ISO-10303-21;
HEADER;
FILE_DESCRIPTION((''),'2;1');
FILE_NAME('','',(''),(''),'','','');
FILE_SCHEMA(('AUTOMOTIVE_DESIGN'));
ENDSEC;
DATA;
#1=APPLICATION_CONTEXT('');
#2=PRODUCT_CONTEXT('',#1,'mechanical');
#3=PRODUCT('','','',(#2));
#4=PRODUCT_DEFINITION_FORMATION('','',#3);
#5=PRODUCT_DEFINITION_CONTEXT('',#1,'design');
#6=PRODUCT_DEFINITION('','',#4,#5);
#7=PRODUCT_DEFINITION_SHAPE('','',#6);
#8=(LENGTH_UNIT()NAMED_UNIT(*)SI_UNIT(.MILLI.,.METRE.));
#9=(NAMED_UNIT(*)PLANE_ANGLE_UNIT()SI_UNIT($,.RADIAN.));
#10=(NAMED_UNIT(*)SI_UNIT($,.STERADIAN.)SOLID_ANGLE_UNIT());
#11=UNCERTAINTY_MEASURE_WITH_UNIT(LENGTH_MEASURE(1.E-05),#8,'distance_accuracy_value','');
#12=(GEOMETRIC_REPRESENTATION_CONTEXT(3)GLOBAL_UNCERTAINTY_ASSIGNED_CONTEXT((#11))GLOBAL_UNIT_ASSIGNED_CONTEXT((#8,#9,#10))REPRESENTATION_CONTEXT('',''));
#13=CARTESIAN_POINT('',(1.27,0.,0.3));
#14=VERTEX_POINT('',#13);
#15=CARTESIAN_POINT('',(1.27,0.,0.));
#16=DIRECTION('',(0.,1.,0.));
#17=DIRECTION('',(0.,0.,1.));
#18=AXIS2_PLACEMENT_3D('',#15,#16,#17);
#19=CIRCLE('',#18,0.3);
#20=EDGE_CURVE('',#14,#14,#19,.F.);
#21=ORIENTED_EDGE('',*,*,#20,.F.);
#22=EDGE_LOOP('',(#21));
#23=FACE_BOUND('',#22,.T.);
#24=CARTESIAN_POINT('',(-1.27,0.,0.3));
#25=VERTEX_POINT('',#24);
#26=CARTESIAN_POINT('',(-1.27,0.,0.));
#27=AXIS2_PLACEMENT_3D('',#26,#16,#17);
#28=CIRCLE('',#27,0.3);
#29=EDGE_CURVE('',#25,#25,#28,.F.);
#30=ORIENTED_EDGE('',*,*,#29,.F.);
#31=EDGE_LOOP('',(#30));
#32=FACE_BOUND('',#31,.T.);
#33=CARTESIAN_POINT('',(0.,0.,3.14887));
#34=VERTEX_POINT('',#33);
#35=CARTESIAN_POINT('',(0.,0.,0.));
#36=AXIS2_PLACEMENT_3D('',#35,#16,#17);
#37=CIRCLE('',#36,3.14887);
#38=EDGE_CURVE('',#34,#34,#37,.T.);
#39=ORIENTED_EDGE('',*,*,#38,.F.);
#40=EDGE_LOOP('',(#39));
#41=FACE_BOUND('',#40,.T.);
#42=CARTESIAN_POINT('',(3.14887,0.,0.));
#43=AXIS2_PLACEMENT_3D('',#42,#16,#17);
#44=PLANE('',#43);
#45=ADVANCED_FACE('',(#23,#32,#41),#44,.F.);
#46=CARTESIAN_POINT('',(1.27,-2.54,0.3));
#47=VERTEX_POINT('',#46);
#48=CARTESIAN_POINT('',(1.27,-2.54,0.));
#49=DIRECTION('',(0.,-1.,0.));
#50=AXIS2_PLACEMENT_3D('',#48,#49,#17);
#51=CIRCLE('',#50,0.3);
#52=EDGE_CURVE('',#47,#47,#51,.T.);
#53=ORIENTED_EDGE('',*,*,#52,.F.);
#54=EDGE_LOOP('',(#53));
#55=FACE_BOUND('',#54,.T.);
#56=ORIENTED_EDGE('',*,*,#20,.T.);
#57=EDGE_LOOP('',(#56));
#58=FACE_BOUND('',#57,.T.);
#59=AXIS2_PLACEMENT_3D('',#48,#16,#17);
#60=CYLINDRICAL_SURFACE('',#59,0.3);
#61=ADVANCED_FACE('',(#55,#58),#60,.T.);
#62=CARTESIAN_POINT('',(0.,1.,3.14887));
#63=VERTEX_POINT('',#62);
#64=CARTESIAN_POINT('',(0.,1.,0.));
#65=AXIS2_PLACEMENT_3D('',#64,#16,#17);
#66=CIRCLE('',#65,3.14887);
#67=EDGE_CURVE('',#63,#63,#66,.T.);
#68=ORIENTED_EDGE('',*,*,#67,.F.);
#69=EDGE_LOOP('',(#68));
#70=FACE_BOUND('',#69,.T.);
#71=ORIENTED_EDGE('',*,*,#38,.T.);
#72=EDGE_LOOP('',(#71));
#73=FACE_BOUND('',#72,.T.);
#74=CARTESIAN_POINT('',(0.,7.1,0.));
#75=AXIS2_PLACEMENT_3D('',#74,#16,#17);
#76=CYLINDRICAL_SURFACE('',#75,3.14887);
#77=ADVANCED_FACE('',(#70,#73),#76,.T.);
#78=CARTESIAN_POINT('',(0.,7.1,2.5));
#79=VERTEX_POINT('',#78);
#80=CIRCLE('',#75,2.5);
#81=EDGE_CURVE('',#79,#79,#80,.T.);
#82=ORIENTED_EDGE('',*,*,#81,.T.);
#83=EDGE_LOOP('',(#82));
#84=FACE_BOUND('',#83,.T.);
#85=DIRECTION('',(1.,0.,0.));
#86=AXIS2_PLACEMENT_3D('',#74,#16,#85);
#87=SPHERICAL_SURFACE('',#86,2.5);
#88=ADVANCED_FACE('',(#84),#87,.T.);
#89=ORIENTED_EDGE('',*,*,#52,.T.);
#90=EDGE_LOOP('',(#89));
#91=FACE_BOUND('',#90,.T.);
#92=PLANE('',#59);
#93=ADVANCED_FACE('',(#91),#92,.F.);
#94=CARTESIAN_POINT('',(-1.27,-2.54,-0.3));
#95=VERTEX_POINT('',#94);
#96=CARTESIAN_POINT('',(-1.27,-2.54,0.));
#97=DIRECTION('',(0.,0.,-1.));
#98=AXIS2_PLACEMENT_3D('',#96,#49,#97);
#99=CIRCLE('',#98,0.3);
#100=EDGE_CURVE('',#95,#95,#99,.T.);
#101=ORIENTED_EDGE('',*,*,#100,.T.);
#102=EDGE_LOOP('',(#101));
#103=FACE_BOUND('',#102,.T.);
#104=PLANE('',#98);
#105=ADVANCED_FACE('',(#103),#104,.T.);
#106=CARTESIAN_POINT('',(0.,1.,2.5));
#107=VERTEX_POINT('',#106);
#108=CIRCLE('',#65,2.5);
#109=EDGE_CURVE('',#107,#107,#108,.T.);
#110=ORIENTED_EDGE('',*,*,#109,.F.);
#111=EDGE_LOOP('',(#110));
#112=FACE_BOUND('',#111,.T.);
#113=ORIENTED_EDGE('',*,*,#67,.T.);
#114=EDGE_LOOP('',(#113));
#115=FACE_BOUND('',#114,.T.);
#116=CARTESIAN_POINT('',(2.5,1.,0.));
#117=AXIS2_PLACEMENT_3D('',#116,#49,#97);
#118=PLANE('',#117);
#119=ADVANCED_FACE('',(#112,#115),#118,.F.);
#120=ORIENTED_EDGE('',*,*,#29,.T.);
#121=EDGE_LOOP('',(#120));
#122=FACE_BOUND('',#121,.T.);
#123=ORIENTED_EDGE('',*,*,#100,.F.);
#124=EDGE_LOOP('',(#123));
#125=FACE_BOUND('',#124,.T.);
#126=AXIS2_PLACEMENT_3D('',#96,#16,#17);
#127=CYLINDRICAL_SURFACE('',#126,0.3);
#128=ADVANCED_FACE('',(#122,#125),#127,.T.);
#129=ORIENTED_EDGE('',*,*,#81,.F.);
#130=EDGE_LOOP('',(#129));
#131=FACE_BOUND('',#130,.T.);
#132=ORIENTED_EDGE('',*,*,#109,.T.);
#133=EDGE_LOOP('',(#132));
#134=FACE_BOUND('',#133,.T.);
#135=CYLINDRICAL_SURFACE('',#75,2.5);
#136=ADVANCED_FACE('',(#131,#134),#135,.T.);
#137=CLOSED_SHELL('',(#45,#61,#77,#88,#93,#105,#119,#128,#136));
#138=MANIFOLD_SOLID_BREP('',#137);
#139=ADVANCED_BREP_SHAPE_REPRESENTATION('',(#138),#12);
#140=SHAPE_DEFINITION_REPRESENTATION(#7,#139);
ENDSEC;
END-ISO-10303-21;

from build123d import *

# Parameters (mm, degrees)
SKETCH2_R           = 0.3
BOSS_EXTRUDE1_DEPTH = 2.54


with BuildPart() as part:
    # Sketch1 → Revolve1 (revolve)
    with BuildSketch(Plane.XY, mode=Mode.PRIVATE) as revolve1_sk:
        with BuildLine():
            Line((2.5, 7.1), (2.5, 1))
            Line((2.5, 1), (3.148870311, 1))
            Line((3.148870311, 1), (3.148870311, 0))
            Line((3.148870311, 0), (0, 0))
            Line((0, 0), (0, 7.1))
            Line((0, 7.1), (0, 9.6))
            ThreePointArc((0, 9.6), (1.767766953, 8.867766953), (2.5, 7.1))
        make_face()
    revolve(revolve1_sk.sketch.rotate(Axis((0, 7.1, 0), (0, -1, 0)), 90), axis=Axis((0, 7.1, 0), (0, -1, 0)))

    # Sketch2 → Boss-Extrude1 (add)
    with BuildSketch(Plane.XZ):
        with Locations(Location((-1.27, 0, 0), (0, 0, 90))):
            Circle(SKETCH2_R)
        with Locations(Location((1.27, 0, 0), (0, 0, 90))):
            Circle(SKETCH2_R)
    extrude(amount=BOSS_EXTRUDE1_DEPTH)


solid = part.part
